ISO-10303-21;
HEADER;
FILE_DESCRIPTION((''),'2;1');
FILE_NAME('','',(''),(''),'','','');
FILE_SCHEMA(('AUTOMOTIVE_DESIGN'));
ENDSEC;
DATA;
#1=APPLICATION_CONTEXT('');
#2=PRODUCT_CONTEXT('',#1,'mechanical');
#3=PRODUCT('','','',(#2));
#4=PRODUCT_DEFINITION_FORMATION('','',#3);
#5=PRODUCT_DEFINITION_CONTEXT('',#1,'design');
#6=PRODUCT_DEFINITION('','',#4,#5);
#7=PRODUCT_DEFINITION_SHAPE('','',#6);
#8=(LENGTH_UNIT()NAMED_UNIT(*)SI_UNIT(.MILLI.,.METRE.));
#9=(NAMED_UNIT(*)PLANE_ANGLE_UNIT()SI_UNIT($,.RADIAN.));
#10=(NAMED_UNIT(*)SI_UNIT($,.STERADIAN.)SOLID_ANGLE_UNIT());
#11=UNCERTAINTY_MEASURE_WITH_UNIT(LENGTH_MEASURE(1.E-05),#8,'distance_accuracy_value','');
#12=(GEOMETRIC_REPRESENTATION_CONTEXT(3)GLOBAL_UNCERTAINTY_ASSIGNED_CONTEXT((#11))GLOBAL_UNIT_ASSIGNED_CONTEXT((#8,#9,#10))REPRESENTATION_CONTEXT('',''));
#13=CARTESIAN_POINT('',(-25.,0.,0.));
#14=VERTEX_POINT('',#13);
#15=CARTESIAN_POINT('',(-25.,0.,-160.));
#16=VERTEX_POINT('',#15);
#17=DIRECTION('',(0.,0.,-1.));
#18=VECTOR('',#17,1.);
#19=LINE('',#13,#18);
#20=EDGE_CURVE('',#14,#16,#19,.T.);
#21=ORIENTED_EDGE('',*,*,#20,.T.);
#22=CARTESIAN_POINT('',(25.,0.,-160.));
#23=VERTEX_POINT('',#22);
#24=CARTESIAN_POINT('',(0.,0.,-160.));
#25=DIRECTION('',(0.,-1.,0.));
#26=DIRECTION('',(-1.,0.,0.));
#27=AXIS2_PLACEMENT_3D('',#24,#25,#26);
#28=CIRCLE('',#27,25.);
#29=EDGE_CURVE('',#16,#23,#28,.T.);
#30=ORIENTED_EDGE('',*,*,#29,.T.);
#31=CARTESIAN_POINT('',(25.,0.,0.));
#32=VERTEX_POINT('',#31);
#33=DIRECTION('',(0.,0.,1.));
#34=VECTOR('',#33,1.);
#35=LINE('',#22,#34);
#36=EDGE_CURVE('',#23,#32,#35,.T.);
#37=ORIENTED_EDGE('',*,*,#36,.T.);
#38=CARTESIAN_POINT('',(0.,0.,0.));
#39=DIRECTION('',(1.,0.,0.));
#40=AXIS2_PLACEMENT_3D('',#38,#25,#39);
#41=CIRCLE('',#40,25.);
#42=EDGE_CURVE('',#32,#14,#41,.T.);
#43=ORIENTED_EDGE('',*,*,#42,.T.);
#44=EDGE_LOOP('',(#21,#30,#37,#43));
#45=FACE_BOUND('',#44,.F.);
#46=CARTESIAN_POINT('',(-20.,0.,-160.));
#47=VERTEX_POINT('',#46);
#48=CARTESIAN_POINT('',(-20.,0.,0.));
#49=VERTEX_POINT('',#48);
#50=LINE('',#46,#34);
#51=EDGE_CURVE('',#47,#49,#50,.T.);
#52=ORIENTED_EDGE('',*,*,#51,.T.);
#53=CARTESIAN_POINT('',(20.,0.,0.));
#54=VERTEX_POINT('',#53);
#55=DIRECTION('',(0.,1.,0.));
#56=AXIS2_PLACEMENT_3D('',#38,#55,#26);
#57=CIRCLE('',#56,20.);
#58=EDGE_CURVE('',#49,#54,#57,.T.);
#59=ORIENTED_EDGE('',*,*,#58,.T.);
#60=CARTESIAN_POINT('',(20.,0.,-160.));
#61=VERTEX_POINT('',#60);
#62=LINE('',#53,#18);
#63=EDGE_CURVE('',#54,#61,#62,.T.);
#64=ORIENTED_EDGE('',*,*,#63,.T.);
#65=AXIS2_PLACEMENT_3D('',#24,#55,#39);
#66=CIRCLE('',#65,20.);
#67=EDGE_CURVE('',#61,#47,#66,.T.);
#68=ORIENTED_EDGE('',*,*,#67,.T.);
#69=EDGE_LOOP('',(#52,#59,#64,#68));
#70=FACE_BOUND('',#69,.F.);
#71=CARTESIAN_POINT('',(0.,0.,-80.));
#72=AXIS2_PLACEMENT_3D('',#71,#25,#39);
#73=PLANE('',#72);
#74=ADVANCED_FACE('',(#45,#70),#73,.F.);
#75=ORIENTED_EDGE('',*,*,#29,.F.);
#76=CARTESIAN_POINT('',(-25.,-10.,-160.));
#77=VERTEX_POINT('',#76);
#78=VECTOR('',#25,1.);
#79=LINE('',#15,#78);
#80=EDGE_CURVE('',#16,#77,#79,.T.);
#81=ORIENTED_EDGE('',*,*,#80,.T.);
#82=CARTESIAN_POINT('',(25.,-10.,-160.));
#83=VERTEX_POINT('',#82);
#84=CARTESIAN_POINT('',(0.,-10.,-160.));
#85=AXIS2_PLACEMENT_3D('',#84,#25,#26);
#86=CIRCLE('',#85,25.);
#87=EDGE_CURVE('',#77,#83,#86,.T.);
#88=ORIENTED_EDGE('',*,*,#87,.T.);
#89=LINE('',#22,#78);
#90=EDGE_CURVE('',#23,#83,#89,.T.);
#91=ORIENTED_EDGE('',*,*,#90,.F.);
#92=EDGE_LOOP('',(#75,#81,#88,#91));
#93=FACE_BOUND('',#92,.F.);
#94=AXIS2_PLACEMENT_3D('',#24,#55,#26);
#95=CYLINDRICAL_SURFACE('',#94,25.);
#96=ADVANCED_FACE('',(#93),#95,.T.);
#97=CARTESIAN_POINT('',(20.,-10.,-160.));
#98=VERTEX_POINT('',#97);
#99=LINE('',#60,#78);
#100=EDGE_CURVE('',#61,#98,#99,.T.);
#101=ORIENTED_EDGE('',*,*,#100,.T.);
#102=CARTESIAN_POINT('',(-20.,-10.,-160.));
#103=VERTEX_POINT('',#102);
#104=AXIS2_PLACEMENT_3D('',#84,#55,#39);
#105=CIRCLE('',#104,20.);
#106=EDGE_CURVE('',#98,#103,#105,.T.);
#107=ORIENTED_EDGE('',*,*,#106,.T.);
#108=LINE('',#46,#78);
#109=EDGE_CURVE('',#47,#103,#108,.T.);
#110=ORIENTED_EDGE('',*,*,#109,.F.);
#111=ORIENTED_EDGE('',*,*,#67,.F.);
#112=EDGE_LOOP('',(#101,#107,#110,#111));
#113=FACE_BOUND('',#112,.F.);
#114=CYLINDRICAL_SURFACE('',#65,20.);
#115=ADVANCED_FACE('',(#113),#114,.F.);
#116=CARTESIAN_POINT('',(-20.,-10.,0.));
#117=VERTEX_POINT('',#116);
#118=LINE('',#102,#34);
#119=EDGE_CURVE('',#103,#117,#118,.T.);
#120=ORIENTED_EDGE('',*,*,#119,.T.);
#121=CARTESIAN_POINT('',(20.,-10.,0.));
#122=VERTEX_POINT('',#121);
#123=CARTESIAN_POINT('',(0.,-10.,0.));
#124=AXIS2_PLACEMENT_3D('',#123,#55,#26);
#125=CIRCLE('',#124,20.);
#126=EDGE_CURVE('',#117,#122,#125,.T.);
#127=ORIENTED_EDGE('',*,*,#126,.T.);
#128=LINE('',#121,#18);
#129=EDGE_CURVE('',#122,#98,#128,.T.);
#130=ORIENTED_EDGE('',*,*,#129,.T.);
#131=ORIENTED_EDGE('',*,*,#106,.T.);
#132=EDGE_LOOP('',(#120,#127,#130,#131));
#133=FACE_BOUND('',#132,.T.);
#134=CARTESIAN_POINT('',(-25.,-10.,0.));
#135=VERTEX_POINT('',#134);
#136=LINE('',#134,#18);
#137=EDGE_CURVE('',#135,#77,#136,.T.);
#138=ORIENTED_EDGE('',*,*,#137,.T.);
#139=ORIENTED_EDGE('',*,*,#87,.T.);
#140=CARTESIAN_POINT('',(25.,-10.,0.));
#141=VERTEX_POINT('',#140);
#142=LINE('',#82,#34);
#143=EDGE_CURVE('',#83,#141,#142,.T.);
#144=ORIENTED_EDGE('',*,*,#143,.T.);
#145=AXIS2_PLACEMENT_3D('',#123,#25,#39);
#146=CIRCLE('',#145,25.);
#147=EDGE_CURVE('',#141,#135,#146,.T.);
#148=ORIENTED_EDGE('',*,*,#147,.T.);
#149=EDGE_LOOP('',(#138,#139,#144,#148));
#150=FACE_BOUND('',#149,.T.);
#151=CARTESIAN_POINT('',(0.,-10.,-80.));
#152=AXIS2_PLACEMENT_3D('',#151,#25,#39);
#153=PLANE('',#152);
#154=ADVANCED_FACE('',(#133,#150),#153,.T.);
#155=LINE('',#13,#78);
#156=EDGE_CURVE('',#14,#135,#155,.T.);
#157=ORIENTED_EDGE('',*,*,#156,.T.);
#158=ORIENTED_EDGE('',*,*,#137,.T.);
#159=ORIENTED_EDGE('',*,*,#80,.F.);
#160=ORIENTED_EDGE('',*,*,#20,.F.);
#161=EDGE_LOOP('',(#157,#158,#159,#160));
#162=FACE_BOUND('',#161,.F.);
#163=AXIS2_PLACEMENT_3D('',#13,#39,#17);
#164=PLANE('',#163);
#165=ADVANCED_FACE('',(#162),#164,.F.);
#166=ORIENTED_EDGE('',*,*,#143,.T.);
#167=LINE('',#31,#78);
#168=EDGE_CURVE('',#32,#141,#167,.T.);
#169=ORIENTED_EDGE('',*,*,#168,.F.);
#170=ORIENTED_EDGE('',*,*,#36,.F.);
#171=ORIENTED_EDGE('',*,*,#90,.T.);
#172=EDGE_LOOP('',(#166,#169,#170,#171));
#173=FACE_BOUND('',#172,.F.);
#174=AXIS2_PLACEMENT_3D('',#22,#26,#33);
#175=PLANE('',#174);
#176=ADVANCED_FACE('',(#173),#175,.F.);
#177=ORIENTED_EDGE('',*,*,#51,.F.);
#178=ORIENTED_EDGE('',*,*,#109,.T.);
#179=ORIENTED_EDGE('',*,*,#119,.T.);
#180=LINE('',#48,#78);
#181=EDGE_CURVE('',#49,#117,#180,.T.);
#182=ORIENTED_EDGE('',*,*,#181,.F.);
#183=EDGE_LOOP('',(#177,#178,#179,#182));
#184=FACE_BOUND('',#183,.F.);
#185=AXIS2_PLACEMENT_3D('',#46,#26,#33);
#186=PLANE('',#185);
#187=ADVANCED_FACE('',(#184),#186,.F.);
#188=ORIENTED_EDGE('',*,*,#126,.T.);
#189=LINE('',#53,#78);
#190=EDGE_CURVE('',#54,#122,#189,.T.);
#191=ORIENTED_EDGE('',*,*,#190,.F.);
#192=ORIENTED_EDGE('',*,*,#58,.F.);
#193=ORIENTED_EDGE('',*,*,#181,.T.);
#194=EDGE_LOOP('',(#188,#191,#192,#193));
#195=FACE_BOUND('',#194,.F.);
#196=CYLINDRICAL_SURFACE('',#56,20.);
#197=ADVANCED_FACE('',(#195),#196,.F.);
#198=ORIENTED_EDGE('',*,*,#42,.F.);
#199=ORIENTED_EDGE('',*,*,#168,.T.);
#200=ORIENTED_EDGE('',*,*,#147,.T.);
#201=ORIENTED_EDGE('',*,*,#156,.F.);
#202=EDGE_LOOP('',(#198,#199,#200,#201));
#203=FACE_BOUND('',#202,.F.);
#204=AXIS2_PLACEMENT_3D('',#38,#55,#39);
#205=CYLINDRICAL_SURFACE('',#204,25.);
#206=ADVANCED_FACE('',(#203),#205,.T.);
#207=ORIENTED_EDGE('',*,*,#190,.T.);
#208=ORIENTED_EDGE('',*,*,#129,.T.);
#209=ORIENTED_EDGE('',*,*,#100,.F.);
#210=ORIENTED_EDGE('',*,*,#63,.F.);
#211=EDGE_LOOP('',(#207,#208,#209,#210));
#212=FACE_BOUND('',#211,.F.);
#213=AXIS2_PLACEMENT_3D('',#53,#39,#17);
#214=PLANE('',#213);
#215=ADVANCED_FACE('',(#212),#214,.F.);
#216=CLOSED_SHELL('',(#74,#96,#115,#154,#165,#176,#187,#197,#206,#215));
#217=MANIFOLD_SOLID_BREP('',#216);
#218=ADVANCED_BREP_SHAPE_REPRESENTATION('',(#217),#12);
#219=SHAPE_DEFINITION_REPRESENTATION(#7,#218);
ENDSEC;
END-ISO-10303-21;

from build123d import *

# Parameters (mm, degrees)
F1_DEPTH = 10


with BuildPart() as f1:
    # F0 (on Front) → F1 (new body)
    with BuildSketch(Plane.XZ):
        with BuildLine():
            Line((20, -160), (20, 0))
            ThreePointArc((20, 0), (0, 20), (-20, 0))
            Line((-20, 0), (-20, -160))
            ThreePointArc((-20, -160), (0, -180), (20, -160))
        make_face()
        with BuildLine():
            Line((-25, 0), (-25, -160))
            ThreePointArc((-25, -160), (0, -185), (25, -160))
            Line((25, -160), (25, 0))
            ThreePointArc((25, 0), (0, 25), (-25, 0))
        make_face()
        with BuildLine():
            ThreePointArc((-20, 0), (0, 20), (20, 0))
            Line((20, 0), (20, -160))
            ThreePointArc((20, -160), (0, -180), (-20, -160))
            Line((-20, -160), (-20, 0))
        make_face(mode=Mode.SUBTRACT)
    extrude(amount=F1_DEPTH)


solid = f1.part
